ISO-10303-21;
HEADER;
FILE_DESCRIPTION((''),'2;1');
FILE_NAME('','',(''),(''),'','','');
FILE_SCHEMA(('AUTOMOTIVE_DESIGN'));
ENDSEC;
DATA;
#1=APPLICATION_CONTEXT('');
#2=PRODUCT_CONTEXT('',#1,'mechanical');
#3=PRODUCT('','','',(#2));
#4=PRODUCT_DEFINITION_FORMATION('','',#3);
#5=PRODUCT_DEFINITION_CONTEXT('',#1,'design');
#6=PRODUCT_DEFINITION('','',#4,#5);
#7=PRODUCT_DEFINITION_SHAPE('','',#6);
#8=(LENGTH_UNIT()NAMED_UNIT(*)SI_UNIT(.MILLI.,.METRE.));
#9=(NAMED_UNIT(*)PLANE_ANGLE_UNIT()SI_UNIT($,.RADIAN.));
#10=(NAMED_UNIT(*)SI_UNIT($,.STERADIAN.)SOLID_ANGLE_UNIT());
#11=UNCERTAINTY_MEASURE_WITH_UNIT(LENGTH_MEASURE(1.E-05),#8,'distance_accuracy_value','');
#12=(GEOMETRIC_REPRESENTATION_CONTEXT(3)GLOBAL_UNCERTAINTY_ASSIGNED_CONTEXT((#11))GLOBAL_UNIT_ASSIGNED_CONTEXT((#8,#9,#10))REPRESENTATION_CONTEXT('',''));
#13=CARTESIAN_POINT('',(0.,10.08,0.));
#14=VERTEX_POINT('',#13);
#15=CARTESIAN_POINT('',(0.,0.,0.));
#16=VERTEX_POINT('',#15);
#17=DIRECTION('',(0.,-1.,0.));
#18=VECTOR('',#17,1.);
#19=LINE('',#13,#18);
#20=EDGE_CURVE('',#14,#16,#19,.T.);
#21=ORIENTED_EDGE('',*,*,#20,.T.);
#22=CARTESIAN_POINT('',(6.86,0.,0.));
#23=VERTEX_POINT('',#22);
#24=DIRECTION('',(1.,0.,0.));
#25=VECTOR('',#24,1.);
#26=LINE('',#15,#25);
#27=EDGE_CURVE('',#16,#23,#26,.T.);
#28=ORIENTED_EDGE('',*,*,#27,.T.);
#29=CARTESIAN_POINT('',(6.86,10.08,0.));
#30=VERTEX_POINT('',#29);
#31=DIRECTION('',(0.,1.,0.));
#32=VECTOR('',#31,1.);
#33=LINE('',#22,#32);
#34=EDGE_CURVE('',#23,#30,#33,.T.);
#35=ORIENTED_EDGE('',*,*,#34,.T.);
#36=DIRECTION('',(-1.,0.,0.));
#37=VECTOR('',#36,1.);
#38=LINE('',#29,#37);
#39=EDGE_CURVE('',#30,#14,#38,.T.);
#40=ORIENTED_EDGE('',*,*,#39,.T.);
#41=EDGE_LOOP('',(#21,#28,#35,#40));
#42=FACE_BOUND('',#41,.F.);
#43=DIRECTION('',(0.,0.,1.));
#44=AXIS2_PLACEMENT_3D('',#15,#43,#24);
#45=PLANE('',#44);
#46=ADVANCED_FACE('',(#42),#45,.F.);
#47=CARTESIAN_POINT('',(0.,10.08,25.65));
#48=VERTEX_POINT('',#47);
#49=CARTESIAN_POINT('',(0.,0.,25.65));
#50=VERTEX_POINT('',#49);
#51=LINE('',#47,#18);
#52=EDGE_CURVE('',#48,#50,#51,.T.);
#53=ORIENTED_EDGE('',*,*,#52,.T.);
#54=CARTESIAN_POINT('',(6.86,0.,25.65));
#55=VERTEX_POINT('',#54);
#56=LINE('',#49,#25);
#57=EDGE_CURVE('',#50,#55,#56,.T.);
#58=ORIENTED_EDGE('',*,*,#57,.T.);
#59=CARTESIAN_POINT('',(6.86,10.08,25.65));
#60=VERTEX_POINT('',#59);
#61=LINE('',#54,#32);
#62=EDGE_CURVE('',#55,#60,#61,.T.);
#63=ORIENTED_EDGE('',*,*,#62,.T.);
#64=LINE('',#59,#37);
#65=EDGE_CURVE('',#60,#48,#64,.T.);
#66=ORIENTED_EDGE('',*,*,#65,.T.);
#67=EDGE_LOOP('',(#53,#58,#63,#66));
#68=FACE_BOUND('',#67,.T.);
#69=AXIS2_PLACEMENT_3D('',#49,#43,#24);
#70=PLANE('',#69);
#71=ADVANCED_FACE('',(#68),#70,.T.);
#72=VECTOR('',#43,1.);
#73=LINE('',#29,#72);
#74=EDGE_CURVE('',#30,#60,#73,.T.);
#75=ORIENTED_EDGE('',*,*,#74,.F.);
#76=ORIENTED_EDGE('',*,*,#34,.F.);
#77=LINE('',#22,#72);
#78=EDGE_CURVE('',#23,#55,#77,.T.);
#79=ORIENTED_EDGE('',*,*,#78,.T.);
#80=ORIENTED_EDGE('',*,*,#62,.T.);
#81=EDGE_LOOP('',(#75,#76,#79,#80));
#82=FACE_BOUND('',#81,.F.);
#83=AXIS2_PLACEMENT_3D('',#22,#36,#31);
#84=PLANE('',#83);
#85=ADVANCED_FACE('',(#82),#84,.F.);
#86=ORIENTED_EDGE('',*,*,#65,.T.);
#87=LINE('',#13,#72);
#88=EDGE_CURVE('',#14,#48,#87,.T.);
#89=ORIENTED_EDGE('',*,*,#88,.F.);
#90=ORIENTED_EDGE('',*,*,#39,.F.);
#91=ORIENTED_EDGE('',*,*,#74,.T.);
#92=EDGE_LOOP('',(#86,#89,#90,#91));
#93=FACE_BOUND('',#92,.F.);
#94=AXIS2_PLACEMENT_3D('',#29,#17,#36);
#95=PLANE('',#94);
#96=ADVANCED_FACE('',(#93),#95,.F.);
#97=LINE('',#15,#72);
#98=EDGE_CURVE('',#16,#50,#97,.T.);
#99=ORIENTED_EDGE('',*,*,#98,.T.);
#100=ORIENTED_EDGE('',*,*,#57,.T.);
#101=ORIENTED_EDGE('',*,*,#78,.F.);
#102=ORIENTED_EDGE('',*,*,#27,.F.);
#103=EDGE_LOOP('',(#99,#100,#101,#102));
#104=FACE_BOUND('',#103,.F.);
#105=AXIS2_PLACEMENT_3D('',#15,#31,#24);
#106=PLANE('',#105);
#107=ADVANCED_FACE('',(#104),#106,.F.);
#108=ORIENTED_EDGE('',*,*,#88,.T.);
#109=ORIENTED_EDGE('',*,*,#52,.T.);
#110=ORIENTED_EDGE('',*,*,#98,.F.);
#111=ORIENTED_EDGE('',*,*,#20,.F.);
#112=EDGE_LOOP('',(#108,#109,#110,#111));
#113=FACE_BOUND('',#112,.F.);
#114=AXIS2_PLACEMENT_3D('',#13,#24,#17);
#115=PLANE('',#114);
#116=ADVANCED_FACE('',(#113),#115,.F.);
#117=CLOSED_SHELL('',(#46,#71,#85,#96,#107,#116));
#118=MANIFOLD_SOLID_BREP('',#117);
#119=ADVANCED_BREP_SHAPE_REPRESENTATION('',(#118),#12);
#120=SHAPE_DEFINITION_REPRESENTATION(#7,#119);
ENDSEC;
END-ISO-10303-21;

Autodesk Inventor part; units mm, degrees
ref_plane "YZ Plane" through (0, 0, 0) normal (1, 0, 0) x (0, 1, 0)
ref_plane "XZ Plane" through (0, 0, 0) normal (0, 1, 0) x (-1, 0, 0)
ref_plane "XY Plane" through (0, 0, 0) normal (0, 0, 1) x (1, 0, 0)
sketch "Sketch1" plane through (0, 0, 0) normal (0, 0, 1) x (1, 0, 0)
  line L0 (0, 0) -> (6.86, 0)
  line L1 (6.86, 0) -> (6.86, 10.08)
  line L2 (6.86, 10.08) -> (0, 10.08)
  line L3 (0, 10.08) -> (0, 0)
  circle A0 centre (3.43, 5.04) radius 1.5
  dimension "d0" = 6.86
  dimension "d1" = 10.08
  dimension "d4" = 3
extrude "Extrusion1" add sketch "Sketch1" along normal blind 25.65 contours L3 L2 L1 L0 | A0
properties part number "LC-LC-Coupler"
